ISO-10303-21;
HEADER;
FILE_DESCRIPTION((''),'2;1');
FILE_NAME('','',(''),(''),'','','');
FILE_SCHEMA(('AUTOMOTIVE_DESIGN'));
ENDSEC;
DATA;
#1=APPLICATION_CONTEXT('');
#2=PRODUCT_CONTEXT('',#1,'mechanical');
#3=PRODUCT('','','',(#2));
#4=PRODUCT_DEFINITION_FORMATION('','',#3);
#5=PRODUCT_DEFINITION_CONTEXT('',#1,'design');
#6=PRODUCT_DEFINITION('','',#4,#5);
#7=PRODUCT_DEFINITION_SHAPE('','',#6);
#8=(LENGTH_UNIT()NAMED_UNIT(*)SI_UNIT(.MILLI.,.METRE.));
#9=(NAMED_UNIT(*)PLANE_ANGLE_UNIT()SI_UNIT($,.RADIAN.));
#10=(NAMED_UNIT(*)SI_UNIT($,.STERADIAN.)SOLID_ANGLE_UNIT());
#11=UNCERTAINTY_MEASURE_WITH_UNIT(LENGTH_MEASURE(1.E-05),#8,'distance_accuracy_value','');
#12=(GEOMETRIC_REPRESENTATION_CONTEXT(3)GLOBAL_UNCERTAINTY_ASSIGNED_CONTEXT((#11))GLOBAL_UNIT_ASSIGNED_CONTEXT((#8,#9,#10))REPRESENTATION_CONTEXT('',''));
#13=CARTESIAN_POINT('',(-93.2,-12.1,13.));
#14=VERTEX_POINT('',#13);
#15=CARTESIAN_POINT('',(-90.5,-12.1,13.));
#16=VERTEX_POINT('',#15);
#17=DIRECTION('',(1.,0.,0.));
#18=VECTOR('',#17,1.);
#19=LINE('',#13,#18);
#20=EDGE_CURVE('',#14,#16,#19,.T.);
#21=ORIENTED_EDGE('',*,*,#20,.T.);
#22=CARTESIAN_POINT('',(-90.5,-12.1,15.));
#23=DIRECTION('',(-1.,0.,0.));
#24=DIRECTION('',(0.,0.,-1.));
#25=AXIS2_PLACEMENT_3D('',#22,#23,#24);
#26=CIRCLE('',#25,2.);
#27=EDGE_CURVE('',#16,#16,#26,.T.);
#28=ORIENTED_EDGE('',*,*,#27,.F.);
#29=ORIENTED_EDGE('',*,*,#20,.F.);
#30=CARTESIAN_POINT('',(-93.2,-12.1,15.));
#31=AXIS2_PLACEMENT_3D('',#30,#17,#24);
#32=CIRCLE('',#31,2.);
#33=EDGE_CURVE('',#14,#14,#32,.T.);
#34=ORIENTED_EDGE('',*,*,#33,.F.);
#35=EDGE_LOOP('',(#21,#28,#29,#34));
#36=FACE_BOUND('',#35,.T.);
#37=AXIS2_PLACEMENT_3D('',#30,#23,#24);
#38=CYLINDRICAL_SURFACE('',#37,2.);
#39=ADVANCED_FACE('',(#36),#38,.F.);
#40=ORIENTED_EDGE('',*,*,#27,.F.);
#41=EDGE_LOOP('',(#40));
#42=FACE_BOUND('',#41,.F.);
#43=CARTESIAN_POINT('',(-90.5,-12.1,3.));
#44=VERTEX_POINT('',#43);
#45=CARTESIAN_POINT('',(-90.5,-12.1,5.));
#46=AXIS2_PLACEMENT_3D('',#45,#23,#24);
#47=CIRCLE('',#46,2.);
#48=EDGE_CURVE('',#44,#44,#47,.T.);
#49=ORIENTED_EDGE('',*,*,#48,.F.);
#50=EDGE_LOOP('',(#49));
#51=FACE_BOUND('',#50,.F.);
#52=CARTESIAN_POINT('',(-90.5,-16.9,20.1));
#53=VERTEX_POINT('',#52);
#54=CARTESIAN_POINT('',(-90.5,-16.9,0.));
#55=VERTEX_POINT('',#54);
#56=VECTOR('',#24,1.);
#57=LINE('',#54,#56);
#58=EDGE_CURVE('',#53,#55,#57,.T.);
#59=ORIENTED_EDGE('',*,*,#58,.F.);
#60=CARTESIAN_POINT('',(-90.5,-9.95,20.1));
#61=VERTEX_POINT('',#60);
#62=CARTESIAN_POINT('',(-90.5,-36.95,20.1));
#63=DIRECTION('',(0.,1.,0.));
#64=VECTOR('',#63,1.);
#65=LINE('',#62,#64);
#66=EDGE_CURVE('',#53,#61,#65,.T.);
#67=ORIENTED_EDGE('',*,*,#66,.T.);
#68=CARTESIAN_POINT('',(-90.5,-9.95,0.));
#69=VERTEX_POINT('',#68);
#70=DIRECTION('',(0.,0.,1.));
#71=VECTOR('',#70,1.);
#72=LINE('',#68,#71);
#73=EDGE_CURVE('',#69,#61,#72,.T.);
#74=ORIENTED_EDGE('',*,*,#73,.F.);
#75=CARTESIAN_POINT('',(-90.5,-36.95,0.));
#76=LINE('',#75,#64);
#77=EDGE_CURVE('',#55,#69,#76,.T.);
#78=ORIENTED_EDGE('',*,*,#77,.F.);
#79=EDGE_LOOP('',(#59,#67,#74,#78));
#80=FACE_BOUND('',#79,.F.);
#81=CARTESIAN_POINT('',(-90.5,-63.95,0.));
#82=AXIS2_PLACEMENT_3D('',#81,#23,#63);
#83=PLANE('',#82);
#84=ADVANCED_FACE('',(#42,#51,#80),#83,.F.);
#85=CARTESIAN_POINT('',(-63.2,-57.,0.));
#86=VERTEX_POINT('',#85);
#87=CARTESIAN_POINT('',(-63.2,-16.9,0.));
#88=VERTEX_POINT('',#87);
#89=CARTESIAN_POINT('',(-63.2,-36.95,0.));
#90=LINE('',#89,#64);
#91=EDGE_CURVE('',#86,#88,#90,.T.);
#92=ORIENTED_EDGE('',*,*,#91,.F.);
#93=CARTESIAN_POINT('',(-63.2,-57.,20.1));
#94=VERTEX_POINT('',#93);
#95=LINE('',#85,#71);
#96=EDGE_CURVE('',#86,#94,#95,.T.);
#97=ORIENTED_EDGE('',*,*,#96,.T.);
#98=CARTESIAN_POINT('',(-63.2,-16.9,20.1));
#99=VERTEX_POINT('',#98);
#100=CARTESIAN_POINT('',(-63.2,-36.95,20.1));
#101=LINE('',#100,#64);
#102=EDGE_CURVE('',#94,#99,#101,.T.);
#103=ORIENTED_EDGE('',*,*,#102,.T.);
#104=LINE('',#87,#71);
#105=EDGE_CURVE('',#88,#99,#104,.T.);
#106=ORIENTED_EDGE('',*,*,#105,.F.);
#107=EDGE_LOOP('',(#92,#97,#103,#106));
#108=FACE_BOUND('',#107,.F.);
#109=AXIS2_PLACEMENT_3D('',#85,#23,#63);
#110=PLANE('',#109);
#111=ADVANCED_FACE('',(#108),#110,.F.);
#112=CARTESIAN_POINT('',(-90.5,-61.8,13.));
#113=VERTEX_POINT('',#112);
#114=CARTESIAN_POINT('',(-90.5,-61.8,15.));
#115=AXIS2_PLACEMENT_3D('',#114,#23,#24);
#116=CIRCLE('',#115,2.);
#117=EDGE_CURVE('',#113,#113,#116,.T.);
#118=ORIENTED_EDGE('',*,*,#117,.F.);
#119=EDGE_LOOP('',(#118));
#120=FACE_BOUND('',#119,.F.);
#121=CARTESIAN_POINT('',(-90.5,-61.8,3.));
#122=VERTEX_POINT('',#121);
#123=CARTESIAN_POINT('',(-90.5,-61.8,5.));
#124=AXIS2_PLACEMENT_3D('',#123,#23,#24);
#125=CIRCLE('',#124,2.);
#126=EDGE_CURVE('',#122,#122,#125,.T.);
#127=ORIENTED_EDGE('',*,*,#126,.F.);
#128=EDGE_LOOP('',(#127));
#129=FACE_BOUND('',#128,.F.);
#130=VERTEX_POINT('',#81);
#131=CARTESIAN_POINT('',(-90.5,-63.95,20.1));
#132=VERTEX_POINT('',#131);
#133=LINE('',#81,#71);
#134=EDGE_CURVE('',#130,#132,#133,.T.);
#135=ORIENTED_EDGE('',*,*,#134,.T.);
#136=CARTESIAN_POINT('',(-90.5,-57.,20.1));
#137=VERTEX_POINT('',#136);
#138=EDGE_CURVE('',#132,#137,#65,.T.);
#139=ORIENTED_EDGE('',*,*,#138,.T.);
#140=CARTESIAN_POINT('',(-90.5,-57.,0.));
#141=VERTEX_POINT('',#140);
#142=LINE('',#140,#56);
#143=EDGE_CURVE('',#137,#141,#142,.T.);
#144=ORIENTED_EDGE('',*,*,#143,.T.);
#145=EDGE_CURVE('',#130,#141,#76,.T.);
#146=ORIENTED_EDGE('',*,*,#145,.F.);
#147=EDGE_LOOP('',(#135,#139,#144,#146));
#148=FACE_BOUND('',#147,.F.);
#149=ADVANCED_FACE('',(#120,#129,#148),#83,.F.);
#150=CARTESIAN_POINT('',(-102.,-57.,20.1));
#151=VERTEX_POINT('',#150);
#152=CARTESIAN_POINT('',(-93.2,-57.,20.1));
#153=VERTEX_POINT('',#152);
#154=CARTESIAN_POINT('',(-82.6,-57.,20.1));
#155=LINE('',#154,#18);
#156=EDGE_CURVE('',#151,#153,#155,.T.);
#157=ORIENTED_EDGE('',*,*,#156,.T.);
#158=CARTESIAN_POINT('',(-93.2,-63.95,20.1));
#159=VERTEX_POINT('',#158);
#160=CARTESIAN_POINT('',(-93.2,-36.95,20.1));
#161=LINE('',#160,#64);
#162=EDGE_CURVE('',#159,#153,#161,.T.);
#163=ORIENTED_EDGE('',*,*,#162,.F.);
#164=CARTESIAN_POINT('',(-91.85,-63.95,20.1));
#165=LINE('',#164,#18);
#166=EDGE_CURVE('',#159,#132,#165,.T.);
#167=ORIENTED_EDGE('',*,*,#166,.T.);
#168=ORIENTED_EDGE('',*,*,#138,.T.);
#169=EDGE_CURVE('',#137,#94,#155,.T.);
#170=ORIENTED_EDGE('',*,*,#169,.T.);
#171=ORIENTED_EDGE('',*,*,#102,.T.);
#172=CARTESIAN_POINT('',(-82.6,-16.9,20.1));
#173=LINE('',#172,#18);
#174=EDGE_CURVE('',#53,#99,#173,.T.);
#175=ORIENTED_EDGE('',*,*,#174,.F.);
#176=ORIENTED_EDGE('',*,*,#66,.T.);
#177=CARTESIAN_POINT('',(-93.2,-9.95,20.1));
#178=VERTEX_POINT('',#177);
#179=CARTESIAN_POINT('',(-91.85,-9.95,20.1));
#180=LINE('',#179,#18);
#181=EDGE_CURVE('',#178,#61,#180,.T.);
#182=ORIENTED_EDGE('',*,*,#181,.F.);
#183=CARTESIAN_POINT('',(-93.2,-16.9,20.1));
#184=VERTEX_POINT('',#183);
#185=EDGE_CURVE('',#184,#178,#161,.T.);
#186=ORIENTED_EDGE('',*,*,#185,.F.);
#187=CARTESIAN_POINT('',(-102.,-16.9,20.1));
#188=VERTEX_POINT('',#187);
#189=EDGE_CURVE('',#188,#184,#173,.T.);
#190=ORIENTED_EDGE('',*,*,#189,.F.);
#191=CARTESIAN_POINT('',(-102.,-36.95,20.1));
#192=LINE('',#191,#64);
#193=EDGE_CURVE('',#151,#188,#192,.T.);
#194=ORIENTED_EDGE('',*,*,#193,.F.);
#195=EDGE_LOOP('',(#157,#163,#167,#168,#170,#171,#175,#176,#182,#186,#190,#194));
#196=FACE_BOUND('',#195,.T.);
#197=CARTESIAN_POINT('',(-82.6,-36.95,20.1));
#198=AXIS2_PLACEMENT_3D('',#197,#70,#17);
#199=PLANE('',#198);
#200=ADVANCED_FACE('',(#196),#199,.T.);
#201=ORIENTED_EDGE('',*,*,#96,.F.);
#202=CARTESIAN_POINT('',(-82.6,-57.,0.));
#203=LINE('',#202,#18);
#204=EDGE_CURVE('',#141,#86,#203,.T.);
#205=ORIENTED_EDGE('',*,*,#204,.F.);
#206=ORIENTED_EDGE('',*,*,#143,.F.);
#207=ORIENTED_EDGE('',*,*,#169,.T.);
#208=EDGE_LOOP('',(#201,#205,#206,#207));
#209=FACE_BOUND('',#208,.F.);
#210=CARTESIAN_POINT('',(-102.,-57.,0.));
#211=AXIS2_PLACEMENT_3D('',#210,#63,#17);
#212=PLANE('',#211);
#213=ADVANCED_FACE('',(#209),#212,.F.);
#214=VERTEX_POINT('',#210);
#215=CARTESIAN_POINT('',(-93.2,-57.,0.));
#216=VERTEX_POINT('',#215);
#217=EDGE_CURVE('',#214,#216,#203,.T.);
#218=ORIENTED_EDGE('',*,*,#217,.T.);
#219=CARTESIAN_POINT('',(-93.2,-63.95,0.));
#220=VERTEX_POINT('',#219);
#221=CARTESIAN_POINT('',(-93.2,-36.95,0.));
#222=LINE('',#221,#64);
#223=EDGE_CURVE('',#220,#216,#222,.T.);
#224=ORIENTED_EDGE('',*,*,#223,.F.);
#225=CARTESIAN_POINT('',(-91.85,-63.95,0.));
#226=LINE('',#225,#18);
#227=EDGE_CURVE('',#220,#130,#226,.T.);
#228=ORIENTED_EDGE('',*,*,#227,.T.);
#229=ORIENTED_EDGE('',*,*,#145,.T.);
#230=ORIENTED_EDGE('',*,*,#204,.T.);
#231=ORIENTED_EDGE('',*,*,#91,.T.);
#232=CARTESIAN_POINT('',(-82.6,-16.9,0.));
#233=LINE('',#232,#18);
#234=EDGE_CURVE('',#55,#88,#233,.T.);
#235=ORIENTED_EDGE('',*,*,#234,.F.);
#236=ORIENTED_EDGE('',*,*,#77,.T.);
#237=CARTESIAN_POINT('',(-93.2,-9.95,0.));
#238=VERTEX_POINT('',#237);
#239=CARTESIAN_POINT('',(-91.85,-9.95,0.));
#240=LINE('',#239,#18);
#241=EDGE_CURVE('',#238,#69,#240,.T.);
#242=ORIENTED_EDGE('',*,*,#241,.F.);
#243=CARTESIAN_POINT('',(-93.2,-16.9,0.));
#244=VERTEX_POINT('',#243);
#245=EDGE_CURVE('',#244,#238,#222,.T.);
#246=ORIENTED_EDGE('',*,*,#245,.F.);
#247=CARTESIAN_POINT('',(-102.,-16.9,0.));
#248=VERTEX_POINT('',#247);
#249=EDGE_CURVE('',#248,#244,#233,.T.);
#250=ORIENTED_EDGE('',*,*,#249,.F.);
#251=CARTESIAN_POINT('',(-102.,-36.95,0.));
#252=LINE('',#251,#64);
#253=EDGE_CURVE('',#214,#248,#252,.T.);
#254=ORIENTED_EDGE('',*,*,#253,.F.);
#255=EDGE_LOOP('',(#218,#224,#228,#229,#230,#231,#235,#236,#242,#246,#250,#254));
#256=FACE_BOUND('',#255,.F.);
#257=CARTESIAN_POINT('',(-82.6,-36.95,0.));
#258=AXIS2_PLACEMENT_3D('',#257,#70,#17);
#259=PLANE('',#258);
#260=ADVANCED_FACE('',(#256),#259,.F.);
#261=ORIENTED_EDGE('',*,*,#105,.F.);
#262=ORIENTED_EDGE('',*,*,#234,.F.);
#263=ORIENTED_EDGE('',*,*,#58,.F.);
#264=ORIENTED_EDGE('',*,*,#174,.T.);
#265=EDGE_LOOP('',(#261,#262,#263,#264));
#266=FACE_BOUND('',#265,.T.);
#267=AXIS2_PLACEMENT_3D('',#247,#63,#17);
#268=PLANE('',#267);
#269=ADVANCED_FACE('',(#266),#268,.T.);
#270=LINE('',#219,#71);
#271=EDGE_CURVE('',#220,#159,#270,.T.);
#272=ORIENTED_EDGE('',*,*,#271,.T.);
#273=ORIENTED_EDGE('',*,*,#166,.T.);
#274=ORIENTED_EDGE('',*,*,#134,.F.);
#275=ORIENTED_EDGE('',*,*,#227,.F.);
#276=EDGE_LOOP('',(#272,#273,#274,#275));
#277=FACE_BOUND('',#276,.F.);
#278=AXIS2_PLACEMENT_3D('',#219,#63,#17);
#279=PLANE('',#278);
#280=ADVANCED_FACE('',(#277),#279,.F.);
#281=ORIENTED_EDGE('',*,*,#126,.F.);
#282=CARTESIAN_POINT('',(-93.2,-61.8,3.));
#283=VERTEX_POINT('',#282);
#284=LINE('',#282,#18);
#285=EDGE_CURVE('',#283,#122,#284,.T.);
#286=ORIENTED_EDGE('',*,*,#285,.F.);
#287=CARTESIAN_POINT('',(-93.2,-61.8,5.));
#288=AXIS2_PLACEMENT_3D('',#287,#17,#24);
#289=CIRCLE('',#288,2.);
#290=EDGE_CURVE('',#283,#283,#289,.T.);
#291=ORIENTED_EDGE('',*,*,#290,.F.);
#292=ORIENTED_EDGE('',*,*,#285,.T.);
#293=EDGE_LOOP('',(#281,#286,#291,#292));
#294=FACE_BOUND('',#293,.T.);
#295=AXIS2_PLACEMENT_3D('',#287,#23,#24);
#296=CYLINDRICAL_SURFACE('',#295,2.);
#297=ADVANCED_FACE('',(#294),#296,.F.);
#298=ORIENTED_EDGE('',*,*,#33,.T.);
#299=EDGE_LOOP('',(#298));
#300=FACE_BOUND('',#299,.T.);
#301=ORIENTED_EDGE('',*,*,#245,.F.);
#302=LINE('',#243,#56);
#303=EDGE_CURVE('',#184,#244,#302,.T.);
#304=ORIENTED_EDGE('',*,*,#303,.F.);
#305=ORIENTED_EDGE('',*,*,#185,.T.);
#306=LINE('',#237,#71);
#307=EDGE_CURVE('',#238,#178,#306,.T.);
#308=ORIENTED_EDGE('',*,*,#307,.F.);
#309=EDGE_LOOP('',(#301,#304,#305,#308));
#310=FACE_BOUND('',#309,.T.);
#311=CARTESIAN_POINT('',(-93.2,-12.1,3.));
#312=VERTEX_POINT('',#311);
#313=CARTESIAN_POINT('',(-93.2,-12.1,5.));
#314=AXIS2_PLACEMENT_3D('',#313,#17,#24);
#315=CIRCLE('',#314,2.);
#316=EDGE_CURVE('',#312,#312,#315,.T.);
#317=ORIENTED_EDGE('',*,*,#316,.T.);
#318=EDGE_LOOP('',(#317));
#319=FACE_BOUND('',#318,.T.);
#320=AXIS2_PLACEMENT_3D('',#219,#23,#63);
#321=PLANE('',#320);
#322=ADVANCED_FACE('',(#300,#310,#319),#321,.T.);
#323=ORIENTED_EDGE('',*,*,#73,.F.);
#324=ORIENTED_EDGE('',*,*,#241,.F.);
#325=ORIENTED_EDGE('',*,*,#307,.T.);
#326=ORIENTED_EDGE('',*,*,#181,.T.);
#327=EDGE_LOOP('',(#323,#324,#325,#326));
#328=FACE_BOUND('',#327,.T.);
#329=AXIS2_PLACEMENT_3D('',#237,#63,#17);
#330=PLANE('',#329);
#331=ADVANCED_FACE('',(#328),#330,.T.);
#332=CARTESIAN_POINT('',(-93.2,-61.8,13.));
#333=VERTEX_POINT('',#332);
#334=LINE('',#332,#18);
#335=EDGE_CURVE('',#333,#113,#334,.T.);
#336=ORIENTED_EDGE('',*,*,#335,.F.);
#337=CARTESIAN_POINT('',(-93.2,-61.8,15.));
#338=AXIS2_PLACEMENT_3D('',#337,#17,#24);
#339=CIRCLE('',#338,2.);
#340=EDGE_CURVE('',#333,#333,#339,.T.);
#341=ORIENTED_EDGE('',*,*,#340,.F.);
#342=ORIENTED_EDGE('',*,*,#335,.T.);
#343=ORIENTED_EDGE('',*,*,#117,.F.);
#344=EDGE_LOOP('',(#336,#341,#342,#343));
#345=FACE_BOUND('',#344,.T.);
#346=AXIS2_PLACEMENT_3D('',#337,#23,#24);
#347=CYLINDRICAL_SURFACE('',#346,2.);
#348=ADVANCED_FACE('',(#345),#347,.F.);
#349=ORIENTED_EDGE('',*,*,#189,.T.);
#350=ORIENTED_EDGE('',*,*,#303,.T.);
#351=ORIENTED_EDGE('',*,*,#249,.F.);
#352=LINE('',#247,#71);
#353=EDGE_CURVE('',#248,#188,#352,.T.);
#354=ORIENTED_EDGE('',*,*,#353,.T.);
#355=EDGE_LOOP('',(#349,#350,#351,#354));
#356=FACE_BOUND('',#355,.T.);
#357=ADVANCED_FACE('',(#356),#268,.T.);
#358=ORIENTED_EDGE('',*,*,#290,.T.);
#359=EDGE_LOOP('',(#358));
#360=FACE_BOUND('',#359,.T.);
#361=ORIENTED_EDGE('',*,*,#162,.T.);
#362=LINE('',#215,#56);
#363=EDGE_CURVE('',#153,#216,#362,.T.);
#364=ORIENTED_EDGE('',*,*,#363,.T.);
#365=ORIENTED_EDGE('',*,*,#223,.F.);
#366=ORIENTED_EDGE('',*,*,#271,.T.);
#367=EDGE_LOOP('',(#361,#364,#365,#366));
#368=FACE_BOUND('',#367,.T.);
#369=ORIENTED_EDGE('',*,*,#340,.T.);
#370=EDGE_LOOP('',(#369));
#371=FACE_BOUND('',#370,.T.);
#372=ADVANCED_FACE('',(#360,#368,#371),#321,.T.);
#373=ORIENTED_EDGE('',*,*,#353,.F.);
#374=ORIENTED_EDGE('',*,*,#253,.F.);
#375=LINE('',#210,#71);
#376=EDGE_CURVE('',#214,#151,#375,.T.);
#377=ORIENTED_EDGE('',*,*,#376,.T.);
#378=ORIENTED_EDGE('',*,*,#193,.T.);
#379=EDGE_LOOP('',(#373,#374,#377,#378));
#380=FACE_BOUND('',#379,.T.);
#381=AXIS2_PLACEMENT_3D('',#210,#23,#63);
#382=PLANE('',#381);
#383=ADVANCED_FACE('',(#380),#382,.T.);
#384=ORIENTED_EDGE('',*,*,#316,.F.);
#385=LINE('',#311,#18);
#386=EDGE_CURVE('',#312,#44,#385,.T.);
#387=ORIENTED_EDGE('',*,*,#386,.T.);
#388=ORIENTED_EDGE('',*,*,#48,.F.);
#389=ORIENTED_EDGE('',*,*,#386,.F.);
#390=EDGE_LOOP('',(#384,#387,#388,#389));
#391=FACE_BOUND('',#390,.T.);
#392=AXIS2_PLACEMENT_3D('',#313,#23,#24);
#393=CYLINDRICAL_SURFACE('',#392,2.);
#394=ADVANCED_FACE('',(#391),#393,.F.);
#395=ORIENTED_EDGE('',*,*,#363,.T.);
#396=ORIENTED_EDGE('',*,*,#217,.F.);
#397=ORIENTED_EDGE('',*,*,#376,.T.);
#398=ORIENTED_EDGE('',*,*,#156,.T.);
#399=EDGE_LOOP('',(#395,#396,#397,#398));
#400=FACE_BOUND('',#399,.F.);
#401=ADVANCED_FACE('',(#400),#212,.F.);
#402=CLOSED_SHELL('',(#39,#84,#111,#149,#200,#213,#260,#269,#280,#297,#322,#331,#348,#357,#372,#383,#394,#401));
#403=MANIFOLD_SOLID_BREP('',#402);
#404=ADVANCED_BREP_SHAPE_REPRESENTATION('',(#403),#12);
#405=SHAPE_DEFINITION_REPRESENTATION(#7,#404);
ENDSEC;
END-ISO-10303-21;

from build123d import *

# Parameters (mm, degrees)
CYLINDER178_R     = 2
CYLINDER178_DEPTH = 20
CYLINDER177_R     = 2
CYLINDER177_DEPTH = 20
CYLINDER175_R     = 2
CYLINDER175_DEPTH = 20
CYLINDER176_R     = 2
CYLINDER176_DEPTH = 20
BOX069_W          = 38.8
BOX069_H          = 40.1
BOX069_DEPTH      = 20.1
BOX084_W          = 2.7
BOX084_H          = 54
BOX084_DEPTH      = 20.1


with BuildPart() as cylinder178:
    # Cylinder178 → Cylinder178 (new body)
    with BuildSketch(Plane(origin=(-97.2, -71.8, 5), x_dir=(0, 0, -1), z_dir=(1, 0, 0))):
        Circle(CYLINDER178_R)
    extrude(amount=CYLINDER178_DEPTH)


with BuildPart() as cylinder177:
    # Cylinder177 → Cylinder177 (new body)
    with BuildSketch(Plane(origin=(-97.2, -71.8, 15), x_dir=(0, 0, -1), z_dir=(1, 0, 0))):
        Circle(CYLINDER177_R)
    extrude(amount=CYLINDER177_DEPTH)


with BuildPart() as cylinder175:
    # Cylinder175 → Cylinder175 (new body)
    with BuildSketch(Plane(origin=(-97.2, -22.1, 5), x_dir=(0, 0, -1), z_dir=(1, 0, 0))):
        Circle(CYLINDER175_R)
    extrude(amount=CYLINDER175_DEPTH)


with BuildPart() as cylinder176:
    # Cylinder176 → Cylinder176 (new body)
    with BuildSketch(Plane(origin=(-97.2, -22.1, 15), x_dir=(0, 0, -1), z_dir=(1, 0, 0))):
        Circle(CYLINDER176_R)
    extrude(amount=CYLINDER176_DEPTH)


with BuildPart() as box069:
    # Box069 → Box069 (new body)
    with BuildSketch(Plane(origin=(82, -93, 0), x_dir=(1, 0, 0), z_dir=(0, 0, 1))):
        with Locations((19.4, 20.05)):
            Rectangle(BOX069_W, BOX069_H)
    extrude(amount=BOX069_DEPTH)


with BuildPart() as cut131:
    # Box084 → Box084 (new body)
    with BuildSketch(Plane(origin=(90.8, -99.95, 0), x_dir=(1, 0, 0), z_dir=(0, 0, 1))):
        with Locations((1.35, 27)):
            Rectangle(BOX084_W, BOX084_H)
    extrude(amount=BOX084_DEPTH)

    # Fusion084: union Box069
    add(box069.part)


with BuildPart() as cut131_1:
    # Fusion084 placement: moved
    add(cut131.part.moved(Location((-188, 26, 0))))

    # Cut128: cut Cylinder176
    add(cylinder176.part, mode=Mode.SUBTRACT)

    # Cut129: cut Cylinder175
    add(cylinder175.part, mode=Mode.SUBTRACT)

    # Cut130: cut Cylinder177
    add(cylinder177.part, mode=Mode.SUBTRACT)

    # Cut131: cut Cylinder178
    add(cylinder178.part, mode=Mode.SUBTRACT)


with BuildPart() as cut131_2:
    # Cut131 placement: moved
    add(cut131_1.part.moved(Location((4, 10, 0))))


solid = cut131_2.part
